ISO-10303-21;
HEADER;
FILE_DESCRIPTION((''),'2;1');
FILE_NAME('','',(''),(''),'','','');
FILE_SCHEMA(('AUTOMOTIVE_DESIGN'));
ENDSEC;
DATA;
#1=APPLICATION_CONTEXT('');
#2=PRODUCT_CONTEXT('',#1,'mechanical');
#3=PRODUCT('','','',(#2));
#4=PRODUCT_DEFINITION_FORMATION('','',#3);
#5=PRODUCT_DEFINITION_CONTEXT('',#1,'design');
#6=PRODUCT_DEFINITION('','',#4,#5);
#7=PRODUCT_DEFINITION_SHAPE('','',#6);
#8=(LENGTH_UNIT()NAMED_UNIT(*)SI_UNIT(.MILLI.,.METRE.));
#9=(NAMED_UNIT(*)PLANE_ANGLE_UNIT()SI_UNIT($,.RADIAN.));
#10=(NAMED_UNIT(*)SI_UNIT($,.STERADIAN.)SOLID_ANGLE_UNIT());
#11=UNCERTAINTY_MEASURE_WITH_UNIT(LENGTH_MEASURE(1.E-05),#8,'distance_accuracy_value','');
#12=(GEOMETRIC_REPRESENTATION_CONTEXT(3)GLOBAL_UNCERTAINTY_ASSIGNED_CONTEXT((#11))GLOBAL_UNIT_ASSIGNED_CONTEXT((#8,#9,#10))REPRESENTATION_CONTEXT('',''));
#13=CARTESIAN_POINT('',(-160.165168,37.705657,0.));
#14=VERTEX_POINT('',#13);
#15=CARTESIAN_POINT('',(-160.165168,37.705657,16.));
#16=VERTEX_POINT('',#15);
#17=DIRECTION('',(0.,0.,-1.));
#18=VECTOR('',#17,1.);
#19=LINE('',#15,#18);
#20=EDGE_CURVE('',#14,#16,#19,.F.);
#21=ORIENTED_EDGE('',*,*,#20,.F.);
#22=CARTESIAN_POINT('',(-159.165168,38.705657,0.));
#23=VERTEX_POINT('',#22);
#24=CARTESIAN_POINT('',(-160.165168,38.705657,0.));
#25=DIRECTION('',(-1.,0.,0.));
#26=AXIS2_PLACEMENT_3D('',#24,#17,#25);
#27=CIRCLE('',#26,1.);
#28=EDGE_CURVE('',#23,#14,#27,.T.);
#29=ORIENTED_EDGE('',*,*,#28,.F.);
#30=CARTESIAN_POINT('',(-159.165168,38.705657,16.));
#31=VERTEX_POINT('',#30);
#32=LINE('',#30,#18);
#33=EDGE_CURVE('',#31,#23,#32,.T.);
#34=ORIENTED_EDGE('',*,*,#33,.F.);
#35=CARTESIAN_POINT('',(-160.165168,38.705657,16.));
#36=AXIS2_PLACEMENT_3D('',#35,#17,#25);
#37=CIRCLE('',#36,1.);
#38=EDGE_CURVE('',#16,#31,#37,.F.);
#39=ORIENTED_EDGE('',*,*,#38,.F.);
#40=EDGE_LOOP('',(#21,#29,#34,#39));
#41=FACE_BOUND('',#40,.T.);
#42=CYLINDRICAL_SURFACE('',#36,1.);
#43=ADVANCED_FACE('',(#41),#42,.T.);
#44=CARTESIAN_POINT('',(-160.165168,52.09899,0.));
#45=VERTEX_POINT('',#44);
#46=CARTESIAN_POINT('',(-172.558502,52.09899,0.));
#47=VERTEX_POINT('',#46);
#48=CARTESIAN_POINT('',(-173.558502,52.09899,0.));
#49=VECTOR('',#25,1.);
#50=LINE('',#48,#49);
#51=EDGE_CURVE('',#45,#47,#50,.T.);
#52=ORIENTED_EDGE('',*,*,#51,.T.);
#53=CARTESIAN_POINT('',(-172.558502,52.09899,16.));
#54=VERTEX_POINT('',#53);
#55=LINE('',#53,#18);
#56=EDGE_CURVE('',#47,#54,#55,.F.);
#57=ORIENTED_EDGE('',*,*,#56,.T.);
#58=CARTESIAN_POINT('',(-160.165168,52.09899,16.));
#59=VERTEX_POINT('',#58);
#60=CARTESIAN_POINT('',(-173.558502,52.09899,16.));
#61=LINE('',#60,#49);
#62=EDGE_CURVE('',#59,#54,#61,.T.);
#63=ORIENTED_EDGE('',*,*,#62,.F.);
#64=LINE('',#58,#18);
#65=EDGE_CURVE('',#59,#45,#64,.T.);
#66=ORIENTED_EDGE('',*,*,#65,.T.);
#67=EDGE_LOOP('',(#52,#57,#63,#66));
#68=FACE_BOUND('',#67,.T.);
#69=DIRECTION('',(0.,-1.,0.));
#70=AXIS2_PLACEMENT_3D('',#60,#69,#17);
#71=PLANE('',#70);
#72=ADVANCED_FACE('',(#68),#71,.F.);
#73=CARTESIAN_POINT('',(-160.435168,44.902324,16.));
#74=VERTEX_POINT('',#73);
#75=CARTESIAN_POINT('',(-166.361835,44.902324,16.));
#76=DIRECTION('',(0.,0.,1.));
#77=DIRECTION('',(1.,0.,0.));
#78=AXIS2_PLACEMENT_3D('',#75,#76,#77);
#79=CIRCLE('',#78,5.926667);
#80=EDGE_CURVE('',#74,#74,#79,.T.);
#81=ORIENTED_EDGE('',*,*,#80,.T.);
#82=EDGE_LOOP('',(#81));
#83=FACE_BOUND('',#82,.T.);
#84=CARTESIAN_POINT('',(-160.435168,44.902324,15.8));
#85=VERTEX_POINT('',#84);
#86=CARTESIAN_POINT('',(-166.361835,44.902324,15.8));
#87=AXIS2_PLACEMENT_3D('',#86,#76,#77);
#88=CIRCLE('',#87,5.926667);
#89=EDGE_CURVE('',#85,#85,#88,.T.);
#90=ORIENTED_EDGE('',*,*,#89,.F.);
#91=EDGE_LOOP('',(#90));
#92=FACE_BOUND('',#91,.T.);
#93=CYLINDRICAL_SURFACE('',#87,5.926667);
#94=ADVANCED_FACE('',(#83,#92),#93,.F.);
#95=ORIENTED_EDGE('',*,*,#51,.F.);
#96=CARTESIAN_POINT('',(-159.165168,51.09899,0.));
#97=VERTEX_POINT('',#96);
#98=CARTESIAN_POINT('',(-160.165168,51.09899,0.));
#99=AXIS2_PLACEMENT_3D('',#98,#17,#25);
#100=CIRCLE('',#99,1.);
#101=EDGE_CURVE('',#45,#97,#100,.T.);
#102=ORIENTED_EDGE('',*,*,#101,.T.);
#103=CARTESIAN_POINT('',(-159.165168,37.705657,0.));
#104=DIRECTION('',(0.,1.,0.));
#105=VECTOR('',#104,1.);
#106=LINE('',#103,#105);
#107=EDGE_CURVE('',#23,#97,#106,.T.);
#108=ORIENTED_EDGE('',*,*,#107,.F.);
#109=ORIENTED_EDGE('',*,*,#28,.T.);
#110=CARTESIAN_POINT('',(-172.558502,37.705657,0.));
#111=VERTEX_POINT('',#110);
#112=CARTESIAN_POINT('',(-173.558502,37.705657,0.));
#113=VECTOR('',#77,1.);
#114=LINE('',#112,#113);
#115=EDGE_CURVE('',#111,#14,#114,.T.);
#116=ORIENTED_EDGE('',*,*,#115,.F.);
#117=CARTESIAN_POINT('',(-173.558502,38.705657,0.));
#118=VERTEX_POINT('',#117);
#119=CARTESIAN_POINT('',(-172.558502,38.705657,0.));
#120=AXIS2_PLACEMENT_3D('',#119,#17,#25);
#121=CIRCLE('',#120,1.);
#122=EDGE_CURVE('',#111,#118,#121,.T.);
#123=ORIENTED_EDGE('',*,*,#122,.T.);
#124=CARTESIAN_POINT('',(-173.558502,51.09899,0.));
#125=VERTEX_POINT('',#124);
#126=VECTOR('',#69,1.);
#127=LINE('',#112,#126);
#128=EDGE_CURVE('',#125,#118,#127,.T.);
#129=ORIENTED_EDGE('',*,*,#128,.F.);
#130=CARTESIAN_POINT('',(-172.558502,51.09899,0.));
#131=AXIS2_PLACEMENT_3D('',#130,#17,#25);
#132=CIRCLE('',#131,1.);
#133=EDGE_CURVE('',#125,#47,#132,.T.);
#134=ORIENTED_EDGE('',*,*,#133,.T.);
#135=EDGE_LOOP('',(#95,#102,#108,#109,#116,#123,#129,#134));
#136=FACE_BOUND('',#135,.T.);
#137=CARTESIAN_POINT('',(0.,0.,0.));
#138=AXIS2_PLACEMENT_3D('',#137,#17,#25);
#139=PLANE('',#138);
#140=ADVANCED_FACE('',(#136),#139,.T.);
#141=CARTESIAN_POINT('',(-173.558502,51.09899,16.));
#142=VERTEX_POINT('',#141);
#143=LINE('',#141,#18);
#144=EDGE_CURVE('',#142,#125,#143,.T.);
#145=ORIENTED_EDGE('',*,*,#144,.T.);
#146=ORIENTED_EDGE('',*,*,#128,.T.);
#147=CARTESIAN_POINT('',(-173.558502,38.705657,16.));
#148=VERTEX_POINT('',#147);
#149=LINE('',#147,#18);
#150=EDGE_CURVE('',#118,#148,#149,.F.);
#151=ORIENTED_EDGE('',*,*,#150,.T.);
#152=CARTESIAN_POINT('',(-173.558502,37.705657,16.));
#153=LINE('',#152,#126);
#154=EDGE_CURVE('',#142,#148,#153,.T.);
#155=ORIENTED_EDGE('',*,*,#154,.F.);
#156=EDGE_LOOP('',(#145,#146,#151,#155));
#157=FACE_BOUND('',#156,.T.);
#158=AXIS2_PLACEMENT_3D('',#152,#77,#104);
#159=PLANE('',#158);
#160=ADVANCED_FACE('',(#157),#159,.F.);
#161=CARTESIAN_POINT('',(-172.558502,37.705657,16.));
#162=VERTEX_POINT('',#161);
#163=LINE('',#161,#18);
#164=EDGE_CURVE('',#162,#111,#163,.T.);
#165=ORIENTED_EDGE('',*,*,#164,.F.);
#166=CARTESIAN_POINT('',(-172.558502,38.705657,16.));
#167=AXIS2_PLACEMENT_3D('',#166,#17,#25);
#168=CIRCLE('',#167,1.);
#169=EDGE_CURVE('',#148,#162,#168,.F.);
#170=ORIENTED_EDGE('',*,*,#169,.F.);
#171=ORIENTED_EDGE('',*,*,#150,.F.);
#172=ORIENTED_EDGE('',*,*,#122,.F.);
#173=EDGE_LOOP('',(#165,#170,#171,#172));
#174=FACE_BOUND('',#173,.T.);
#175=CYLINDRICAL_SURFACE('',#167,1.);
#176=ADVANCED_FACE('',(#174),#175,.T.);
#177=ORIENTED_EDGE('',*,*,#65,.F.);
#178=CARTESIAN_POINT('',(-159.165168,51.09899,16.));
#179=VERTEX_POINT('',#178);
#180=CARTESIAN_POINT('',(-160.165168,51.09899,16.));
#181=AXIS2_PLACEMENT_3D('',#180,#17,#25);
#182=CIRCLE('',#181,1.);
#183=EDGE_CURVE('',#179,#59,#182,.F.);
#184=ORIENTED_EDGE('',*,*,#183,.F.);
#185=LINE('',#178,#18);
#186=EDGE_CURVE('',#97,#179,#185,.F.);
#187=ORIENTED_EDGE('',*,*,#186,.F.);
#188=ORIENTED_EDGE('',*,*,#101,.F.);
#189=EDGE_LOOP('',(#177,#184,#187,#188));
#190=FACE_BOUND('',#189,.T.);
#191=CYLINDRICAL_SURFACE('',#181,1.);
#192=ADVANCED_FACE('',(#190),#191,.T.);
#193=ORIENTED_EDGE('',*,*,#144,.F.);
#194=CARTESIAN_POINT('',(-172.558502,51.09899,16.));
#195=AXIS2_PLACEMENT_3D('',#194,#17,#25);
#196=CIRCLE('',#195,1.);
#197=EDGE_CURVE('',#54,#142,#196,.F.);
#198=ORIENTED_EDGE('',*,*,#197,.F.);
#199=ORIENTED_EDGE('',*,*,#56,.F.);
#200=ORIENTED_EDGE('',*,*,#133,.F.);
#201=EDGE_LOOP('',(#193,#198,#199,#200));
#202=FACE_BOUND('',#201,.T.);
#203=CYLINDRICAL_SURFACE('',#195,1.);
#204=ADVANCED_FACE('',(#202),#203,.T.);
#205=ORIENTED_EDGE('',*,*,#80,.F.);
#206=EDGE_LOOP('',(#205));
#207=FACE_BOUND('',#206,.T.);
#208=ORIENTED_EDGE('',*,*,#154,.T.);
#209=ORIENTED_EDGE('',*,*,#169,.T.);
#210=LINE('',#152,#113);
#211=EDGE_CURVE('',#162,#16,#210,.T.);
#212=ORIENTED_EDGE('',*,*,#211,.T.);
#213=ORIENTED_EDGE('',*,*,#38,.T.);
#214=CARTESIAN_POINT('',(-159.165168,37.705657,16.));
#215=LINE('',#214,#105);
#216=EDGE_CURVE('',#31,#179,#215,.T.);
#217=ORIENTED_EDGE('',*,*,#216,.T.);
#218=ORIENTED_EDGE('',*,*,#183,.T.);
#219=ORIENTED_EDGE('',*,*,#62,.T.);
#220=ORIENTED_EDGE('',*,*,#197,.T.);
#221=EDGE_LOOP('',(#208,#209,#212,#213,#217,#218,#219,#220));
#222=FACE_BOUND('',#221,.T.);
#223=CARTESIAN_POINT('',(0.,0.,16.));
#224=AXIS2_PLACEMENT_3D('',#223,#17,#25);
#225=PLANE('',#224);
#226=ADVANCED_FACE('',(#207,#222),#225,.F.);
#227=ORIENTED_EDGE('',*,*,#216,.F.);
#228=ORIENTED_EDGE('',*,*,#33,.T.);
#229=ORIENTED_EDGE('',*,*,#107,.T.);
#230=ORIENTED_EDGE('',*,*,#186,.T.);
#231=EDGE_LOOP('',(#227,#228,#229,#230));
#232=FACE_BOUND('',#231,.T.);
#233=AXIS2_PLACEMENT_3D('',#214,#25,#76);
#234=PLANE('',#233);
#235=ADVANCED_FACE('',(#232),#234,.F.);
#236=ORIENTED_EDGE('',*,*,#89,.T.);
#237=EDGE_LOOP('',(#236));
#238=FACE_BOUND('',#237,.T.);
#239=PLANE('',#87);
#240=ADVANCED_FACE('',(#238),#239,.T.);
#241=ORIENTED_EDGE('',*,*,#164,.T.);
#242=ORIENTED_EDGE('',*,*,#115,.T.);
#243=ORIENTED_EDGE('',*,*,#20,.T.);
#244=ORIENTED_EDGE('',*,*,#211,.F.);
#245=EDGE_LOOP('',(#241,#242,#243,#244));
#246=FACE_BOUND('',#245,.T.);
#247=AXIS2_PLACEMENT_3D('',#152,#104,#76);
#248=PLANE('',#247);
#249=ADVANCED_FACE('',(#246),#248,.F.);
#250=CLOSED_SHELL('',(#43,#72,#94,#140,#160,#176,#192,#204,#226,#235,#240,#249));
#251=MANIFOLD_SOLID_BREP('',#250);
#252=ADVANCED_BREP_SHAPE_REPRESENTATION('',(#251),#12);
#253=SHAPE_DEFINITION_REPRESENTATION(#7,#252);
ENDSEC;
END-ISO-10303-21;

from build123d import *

# Parameters (mm, degrees)
SKETCH1_W           = 14.393333334
SKETCH1_H           = 14.393333333
BOSS_EXTRUDE1_DEPTH = 16
FILLET1_R           = 1
SKETCH2_R           = 5.926666667
CUT_EXTRUDE1_DEPTH  = 0.2


with BuildPart() as part:
    # Sketch1 → Boss-Extrude1 (new body)
    with BuildSketch(Plane.XY):
        with Locations((-166.361835023, 44.90232352)):
            Rectangle(SKETCH1_W, SKETCH1_H)
    extrude(amount=BOSS_EXTRUDE1_DEPTH)

    # Fillet1
    fillet1_edges = [part.edges().sort_by_distance(p)[0] for p in [
        (-159.165168356, 37.705656853, 8),
        (-173.55850169, 37.705656853, 8),
        (-173.55850169, 52.098990186, 8),
        (-159.165168356, 52.098990186, 8),
    ]]
    fillet(fillet1_edges, radius=FILLET1_R)

    # Sketch2 → Cut-Extrude1 (cut)
    with BuildSketch(Plane.XY.offset(16)):
        with Locations((-166.361835023, 44.902323519)):
            Circle(SKETCH2_R)
    extrude(amount=-CUT_EXTRUDE1_DEPTH, mode=Mode.SUBTRACT)


solid = part.part
